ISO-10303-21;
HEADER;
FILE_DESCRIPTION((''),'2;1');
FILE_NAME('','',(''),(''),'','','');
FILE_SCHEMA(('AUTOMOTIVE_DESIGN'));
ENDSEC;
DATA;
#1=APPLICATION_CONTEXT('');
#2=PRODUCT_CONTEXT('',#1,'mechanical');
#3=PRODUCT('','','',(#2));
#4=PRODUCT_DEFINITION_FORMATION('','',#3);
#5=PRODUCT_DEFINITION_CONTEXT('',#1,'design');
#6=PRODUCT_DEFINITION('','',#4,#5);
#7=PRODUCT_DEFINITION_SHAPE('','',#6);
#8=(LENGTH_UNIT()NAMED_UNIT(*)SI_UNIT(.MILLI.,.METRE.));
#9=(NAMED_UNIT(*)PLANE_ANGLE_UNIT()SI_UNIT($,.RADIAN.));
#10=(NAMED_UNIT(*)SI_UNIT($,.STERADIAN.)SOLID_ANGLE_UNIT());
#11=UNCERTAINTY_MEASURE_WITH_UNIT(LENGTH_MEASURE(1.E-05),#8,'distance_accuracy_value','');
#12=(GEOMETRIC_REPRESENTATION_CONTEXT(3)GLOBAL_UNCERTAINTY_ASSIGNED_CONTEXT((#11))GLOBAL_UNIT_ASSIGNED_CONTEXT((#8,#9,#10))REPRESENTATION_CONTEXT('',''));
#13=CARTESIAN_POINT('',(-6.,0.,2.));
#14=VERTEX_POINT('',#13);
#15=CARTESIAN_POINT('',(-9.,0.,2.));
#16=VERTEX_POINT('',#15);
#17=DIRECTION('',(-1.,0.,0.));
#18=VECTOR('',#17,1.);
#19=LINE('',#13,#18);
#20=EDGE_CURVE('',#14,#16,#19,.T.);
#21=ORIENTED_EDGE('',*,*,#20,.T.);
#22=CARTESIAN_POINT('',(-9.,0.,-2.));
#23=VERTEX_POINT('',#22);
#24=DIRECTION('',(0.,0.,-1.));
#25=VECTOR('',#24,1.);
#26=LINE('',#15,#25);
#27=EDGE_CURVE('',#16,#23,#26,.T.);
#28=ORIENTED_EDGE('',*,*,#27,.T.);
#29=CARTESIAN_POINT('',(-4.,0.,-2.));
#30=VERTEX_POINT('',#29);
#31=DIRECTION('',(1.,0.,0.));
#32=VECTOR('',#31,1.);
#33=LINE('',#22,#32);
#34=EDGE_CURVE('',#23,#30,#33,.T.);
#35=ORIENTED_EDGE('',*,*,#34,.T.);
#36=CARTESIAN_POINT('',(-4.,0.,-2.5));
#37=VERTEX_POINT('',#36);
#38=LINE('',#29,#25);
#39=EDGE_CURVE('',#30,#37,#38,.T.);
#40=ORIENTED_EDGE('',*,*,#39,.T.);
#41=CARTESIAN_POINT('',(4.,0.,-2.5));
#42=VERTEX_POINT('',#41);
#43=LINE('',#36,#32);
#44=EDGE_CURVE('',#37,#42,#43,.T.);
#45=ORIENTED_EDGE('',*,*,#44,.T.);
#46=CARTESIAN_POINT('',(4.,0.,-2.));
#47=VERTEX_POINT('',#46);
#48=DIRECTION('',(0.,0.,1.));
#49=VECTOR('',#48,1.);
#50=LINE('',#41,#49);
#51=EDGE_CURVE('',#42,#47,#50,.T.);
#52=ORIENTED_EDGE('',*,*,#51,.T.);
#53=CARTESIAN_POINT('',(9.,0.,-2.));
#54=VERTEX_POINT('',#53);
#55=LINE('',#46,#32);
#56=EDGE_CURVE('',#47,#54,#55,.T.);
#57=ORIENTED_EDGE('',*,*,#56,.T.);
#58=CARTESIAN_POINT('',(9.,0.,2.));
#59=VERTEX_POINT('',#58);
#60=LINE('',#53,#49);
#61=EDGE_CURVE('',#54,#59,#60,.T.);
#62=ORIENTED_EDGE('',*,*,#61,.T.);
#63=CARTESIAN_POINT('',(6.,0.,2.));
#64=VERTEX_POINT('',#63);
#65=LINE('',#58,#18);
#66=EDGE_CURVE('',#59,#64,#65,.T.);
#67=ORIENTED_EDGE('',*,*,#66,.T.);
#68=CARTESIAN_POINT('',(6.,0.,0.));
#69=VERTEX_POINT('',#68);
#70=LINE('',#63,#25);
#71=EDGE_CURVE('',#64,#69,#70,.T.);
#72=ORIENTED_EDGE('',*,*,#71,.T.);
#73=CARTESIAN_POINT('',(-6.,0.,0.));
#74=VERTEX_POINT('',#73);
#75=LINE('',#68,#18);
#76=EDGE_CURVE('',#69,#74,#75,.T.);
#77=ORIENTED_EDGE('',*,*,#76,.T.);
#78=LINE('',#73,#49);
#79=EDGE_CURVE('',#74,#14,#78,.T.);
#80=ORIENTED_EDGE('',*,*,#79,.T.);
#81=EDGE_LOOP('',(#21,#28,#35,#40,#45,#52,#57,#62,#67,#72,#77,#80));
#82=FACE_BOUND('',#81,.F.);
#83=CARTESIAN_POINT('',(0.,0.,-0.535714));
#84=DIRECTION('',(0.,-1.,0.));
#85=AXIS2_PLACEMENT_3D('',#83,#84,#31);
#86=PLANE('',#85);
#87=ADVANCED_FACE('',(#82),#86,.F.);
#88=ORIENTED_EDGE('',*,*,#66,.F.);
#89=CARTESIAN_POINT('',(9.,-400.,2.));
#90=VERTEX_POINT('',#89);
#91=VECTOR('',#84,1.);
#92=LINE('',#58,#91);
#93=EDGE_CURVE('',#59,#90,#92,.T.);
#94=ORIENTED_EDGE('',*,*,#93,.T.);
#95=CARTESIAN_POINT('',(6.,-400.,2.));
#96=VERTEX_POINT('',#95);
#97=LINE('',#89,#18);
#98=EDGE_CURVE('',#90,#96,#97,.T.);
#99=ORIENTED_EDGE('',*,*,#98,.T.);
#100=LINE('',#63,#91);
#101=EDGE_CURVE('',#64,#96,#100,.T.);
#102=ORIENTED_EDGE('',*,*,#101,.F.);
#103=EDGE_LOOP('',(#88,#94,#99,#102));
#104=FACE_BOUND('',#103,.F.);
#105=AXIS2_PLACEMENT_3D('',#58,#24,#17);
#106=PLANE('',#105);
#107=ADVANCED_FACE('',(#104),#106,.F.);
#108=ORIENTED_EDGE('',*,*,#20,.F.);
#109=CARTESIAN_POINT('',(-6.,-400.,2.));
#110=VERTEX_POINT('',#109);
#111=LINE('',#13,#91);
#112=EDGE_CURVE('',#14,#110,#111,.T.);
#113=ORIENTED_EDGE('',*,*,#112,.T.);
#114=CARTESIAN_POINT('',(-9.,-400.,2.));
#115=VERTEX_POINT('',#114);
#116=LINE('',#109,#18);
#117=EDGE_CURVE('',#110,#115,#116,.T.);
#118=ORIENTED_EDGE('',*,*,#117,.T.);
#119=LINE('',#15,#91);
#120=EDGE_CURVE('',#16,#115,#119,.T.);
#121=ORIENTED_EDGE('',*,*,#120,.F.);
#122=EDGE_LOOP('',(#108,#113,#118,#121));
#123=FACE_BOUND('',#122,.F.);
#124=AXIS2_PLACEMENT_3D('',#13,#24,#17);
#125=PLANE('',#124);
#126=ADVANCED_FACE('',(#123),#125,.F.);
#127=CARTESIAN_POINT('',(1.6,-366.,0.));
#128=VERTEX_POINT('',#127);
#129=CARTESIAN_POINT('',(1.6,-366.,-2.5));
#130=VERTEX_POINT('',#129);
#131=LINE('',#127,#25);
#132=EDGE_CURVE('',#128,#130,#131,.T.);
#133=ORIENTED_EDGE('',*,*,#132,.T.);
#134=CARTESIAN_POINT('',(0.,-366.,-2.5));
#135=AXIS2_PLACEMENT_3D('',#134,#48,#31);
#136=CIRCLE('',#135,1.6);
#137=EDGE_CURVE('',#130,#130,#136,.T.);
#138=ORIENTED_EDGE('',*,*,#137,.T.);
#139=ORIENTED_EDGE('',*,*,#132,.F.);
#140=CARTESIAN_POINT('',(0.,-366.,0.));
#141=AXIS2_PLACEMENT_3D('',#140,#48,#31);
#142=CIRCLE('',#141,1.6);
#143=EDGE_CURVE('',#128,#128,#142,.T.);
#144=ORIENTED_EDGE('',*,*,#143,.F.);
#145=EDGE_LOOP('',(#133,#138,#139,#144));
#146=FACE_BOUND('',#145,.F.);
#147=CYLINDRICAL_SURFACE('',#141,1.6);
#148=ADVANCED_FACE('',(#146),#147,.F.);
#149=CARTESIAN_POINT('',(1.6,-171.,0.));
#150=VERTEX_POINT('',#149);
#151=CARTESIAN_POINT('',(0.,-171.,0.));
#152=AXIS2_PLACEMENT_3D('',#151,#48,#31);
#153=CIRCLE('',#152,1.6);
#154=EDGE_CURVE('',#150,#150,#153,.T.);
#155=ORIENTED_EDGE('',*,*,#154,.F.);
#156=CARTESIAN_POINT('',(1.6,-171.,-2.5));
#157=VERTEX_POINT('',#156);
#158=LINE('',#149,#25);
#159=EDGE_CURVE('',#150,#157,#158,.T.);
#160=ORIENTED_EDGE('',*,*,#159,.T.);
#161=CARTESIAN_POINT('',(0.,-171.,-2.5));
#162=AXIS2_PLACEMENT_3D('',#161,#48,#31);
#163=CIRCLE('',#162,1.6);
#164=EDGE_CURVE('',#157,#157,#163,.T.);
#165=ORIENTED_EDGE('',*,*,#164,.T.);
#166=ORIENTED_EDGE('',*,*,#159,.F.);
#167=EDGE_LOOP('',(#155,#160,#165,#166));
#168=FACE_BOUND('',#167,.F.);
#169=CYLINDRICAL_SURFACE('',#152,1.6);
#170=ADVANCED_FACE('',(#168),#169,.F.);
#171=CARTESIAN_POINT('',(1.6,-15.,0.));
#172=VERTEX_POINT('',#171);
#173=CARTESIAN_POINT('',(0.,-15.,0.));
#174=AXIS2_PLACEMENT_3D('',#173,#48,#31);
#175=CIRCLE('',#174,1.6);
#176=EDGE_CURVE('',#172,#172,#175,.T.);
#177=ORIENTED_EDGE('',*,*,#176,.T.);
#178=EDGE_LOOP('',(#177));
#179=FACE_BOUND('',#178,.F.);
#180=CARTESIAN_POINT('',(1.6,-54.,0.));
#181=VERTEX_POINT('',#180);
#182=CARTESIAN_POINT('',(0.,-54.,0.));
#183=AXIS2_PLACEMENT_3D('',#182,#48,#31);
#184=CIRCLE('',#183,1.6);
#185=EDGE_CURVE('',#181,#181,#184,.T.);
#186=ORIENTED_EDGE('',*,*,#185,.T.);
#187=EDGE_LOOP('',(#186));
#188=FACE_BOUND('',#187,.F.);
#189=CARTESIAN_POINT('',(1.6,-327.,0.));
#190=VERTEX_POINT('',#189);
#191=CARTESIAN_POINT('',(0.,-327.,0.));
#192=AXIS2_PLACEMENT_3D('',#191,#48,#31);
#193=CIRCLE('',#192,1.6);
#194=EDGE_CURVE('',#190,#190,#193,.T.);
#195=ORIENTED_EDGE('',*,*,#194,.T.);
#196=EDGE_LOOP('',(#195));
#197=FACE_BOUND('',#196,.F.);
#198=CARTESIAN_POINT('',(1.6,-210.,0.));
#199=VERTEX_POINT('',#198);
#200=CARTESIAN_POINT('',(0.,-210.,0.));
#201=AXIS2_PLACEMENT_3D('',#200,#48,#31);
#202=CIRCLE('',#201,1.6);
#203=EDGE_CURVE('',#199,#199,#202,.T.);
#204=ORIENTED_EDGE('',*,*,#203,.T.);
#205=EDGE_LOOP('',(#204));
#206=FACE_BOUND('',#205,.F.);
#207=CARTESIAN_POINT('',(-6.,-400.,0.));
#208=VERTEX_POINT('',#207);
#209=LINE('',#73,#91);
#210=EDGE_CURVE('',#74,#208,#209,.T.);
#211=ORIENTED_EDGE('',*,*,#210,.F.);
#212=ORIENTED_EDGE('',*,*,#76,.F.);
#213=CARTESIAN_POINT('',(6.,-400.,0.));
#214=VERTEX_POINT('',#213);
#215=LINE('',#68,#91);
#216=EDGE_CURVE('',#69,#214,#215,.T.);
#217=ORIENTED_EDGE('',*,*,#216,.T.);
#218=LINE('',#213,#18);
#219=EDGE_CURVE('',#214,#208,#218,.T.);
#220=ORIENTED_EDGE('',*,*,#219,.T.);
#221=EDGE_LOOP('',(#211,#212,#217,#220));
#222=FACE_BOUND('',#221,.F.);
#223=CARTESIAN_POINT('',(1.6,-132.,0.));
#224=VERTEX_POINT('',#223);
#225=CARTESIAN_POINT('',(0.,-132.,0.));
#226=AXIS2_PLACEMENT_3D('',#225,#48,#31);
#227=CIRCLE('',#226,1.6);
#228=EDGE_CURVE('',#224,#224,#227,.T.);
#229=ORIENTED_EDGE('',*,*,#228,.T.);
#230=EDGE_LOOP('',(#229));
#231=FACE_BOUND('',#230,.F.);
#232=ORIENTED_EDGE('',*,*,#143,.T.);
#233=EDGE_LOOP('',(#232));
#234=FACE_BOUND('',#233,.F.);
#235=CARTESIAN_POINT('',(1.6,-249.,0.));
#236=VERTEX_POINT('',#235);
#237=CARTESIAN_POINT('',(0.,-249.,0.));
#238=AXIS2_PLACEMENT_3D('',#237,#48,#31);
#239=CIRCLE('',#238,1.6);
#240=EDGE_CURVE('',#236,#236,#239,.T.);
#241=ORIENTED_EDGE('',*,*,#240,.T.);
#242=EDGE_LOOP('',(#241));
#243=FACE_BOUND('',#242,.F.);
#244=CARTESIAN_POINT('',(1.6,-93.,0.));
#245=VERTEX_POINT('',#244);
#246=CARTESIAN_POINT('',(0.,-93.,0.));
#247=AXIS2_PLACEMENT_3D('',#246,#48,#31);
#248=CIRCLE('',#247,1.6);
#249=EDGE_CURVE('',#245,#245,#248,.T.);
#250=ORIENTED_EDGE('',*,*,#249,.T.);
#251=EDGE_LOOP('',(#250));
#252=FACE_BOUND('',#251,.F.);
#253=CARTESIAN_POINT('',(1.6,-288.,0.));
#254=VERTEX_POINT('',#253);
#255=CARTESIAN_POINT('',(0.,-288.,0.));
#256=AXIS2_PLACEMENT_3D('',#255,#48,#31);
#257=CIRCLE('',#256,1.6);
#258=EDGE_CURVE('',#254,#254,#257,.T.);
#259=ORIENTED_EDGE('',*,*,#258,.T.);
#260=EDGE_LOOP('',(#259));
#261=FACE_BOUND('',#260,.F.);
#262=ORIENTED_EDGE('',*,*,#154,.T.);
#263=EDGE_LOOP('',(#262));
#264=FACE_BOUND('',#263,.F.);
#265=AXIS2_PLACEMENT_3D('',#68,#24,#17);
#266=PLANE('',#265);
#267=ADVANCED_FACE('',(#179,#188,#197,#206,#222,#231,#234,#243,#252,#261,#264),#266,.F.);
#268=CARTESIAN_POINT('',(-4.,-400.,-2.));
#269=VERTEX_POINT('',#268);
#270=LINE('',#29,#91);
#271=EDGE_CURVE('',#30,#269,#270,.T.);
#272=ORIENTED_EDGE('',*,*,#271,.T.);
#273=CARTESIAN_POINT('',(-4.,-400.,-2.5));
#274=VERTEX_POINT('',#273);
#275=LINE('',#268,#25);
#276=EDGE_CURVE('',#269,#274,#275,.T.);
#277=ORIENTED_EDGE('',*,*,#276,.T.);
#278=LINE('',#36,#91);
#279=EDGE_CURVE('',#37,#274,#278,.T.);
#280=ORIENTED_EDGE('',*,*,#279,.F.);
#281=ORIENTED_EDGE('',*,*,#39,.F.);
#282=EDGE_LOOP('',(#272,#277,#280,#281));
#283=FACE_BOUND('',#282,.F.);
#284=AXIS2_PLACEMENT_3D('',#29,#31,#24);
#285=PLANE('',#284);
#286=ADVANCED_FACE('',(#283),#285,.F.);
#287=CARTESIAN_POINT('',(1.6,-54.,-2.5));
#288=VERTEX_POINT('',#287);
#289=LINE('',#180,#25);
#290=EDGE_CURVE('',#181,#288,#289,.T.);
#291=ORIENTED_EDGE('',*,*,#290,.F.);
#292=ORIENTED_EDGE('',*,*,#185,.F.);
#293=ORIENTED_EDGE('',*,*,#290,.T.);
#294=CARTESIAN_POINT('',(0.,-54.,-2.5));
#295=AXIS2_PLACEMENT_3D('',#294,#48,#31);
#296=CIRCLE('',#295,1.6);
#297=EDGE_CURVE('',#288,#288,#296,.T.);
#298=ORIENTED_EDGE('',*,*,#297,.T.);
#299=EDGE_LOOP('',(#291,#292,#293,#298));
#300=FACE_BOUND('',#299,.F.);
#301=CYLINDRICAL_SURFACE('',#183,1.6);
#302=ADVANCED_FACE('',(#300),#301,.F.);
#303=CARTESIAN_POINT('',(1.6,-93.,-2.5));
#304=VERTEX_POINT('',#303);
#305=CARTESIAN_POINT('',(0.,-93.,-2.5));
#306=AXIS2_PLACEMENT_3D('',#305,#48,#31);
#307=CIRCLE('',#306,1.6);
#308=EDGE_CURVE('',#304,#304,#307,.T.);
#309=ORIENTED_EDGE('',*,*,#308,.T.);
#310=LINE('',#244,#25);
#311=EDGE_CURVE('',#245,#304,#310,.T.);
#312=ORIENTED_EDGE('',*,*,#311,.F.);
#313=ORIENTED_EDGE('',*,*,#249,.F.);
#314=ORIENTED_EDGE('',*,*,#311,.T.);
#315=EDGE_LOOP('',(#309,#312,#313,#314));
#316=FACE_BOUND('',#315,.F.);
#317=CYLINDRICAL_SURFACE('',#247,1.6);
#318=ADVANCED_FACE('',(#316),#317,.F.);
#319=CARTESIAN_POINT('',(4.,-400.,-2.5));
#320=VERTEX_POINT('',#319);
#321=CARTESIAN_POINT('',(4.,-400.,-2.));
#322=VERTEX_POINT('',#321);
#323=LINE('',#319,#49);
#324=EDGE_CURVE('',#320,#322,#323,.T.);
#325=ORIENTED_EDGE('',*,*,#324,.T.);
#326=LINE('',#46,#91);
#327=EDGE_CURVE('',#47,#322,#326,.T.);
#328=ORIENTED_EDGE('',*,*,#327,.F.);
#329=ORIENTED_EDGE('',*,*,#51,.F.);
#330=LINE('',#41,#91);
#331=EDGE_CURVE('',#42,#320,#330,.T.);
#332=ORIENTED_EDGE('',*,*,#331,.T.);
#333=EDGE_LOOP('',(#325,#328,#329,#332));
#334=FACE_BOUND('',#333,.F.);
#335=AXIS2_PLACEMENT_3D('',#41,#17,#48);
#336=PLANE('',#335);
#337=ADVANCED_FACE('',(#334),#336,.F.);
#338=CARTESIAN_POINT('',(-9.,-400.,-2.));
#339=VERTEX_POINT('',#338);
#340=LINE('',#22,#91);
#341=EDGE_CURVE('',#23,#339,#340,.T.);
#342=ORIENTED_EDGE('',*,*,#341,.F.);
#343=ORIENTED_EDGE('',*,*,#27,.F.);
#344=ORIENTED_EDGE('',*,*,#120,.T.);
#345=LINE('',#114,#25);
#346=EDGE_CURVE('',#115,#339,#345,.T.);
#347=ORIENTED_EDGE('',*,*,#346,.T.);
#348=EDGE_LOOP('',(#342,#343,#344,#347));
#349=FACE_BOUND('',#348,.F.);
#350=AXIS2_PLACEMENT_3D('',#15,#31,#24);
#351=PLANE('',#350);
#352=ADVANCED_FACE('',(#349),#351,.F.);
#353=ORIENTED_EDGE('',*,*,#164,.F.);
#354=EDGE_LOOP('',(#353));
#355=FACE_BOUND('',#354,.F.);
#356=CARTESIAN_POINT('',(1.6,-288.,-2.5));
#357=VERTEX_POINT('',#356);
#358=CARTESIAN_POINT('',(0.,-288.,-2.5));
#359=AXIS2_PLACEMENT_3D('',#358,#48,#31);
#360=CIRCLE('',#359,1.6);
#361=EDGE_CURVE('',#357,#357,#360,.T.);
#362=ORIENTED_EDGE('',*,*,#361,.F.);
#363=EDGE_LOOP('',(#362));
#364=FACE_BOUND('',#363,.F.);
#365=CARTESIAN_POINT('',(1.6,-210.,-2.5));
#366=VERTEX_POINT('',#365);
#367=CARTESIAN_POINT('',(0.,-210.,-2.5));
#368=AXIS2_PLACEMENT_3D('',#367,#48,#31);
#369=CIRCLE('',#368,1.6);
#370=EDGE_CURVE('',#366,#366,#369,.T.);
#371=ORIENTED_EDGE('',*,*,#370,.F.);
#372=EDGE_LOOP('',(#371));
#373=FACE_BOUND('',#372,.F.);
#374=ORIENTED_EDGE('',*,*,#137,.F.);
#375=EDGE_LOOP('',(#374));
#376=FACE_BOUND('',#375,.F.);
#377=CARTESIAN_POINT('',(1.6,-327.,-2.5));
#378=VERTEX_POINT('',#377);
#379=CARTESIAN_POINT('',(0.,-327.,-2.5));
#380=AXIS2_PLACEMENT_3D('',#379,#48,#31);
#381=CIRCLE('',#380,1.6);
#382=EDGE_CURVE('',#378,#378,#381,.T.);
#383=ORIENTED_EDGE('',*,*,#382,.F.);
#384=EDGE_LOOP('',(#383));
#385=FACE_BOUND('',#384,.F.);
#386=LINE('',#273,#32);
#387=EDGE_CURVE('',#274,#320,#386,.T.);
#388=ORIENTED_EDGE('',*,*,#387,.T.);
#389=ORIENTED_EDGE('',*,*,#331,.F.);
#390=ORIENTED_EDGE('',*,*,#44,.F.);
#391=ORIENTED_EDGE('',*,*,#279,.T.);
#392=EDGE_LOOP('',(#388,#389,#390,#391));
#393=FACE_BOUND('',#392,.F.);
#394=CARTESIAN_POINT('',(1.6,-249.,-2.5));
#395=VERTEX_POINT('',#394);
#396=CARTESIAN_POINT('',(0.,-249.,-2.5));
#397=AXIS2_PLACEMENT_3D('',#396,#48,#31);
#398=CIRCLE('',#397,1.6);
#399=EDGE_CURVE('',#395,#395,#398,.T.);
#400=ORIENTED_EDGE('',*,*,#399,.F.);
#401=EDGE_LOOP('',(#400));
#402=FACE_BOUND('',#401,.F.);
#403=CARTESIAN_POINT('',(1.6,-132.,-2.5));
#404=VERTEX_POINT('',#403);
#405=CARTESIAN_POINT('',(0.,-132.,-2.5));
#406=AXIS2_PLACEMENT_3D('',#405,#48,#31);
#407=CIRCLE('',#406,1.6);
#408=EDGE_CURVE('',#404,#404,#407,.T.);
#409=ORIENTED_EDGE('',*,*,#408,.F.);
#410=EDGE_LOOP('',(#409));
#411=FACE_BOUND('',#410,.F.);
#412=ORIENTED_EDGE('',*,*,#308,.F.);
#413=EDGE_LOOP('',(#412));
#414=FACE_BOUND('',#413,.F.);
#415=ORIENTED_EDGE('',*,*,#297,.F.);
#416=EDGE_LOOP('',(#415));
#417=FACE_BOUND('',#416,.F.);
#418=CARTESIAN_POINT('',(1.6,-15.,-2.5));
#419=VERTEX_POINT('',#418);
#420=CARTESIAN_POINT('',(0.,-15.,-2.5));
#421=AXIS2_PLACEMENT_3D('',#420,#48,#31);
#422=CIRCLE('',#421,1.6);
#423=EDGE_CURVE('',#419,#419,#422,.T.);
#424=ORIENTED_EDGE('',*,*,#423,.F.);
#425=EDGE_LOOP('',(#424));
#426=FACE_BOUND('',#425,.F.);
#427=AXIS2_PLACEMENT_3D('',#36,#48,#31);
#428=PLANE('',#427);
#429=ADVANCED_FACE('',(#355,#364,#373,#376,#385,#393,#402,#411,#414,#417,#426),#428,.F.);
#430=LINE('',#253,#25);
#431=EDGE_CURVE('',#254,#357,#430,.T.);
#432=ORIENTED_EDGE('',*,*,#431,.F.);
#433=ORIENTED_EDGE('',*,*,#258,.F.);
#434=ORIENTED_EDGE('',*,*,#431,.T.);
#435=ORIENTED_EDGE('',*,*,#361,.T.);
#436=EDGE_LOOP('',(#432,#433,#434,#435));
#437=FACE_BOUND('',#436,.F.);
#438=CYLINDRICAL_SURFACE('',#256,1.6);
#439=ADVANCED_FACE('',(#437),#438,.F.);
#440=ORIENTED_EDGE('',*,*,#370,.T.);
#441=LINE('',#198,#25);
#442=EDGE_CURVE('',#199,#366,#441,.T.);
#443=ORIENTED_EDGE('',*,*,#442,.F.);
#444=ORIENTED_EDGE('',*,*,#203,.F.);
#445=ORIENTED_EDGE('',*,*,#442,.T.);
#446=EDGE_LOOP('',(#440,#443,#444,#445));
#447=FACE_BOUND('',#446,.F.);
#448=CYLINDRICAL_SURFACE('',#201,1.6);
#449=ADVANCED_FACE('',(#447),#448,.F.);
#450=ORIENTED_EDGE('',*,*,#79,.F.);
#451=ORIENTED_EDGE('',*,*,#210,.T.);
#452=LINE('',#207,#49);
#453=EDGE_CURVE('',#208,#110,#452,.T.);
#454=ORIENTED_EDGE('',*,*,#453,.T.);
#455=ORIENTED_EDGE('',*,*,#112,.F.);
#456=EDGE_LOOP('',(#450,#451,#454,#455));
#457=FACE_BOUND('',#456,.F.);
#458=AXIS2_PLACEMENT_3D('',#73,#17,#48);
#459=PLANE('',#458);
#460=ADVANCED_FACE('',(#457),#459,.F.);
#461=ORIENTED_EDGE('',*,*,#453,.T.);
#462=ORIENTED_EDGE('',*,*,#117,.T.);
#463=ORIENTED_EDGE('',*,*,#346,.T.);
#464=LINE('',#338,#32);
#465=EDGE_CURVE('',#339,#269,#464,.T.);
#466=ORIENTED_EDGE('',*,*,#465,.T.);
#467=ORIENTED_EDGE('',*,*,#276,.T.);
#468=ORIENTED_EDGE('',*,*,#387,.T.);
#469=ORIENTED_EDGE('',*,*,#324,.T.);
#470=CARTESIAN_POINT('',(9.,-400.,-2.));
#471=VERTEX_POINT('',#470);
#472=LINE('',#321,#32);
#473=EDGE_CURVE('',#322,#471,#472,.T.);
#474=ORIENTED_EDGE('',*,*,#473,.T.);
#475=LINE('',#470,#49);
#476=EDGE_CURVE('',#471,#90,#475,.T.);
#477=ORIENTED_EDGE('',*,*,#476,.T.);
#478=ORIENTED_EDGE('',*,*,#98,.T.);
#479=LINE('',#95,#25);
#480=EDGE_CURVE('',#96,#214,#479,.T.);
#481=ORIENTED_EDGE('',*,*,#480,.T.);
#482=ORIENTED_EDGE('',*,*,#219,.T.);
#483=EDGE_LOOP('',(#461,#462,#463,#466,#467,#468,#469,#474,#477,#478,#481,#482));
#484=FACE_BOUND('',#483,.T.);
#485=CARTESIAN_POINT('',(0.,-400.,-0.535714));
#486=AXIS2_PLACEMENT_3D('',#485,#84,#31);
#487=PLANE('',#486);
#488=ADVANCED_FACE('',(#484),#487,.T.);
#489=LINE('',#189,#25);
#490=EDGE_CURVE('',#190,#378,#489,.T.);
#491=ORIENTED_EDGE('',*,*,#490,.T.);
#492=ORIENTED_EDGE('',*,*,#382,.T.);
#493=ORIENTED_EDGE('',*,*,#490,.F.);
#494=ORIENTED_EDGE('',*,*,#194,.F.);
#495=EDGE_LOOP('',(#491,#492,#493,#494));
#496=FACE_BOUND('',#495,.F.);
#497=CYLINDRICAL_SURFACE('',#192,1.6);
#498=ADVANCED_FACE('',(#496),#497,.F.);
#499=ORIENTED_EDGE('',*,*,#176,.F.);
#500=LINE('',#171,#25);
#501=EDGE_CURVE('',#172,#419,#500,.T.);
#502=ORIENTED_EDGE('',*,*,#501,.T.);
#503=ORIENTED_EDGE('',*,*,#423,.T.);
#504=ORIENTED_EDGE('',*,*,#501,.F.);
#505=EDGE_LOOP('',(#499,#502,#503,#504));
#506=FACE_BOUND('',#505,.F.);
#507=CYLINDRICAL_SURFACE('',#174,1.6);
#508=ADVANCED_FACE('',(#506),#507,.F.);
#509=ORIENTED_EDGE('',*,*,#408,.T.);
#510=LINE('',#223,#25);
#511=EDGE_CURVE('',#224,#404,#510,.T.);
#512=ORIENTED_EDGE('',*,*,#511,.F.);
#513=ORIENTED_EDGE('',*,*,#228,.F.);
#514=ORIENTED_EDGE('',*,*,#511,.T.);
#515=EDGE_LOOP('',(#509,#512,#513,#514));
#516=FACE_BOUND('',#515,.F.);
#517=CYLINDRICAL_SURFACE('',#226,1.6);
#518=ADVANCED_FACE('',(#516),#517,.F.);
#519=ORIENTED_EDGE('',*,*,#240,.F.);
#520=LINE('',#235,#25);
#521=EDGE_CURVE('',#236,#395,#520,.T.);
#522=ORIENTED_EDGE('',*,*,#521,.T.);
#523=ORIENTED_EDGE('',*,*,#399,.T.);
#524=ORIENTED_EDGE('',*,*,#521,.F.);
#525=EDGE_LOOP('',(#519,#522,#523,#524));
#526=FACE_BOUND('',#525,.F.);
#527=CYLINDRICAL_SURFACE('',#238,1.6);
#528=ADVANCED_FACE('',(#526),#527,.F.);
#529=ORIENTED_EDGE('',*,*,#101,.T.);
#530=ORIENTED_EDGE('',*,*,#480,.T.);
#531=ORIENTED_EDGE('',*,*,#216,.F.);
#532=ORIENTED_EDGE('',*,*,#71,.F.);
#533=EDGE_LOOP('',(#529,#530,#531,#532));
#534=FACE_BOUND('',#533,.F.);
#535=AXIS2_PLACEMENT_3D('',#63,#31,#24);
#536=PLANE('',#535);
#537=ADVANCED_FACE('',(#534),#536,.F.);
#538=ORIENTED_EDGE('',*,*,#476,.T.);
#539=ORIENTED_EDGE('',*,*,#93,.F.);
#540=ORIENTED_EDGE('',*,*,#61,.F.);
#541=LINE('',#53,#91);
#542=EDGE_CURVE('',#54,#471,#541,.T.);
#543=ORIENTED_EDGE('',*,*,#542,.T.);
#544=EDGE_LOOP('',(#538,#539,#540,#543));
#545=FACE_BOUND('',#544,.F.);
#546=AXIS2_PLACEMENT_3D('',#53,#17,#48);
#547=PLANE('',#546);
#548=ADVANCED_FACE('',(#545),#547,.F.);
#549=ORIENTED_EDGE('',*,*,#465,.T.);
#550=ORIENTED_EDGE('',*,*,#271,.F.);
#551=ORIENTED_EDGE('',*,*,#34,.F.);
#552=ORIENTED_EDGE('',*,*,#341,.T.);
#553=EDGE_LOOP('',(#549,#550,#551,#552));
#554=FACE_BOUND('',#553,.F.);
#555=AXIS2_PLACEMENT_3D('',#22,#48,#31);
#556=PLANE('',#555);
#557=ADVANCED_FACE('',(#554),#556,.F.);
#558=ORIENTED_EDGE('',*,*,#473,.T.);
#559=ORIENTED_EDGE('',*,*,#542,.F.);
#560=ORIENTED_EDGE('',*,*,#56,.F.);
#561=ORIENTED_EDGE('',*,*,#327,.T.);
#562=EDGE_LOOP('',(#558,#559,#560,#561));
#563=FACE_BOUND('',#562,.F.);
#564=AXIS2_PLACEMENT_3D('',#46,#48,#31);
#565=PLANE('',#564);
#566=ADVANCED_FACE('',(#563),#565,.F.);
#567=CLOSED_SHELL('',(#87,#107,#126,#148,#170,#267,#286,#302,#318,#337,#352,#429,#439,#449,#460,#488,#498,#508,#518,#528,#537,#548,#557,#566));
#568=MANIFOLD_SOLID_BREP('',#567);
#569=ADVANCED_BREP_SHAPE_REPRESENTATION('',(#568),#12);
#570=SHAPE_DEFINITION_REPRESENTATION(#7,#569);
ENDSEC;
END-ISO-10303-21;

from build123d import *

# Parameters (mm, degrees)
F1_DEPTH = 400
F2_R     = 1.6
F3_DEPTH = 25


with BuildPart() as f1:
    # F0 (on Front) → F1 (new body)
    with BuildSketch(Plane.XZ):
        Polygon((6, 0), (0, 0), (-6, 0), (-6, 2), (-9, 2), (-9, -2), (-4, -2), (-4, -2.5), (0, -2.5), (4, -2.5), (4, -2), (9, -2), (9, 2), (6, 2), align=None)
    extrude(amount=F1_DEPTH)

    # F2 (on face) → F3 (cut)
    with BuildSketch(Plane.XY):
        with Locations((0, -15)):
            Circle(F2_R)
        with Locations((0, -54)):
            Circle(F2_R)
        with Locations((0, -93)):
            Circle(F2_R)
        with Locations((0, -132)):
            Circle(F2_R)
        with Locations((0, -171)):
            Circle(F2_R)
        with Locations((0, -210)):
            Circle(F2_R)
        with Locations((0, -249)):
            Circle(F2_R)
        with Locations((0, -288)):
            Circle(F2_R)
        with Locations((0, -327)):
            Circle(F2_R)
        with Locations((0, -366)):
            Circle(F2_R)
    extrude(amount=-F3_DEPTH, mode=Mode.SUBTRACT)


solid = f1.part
